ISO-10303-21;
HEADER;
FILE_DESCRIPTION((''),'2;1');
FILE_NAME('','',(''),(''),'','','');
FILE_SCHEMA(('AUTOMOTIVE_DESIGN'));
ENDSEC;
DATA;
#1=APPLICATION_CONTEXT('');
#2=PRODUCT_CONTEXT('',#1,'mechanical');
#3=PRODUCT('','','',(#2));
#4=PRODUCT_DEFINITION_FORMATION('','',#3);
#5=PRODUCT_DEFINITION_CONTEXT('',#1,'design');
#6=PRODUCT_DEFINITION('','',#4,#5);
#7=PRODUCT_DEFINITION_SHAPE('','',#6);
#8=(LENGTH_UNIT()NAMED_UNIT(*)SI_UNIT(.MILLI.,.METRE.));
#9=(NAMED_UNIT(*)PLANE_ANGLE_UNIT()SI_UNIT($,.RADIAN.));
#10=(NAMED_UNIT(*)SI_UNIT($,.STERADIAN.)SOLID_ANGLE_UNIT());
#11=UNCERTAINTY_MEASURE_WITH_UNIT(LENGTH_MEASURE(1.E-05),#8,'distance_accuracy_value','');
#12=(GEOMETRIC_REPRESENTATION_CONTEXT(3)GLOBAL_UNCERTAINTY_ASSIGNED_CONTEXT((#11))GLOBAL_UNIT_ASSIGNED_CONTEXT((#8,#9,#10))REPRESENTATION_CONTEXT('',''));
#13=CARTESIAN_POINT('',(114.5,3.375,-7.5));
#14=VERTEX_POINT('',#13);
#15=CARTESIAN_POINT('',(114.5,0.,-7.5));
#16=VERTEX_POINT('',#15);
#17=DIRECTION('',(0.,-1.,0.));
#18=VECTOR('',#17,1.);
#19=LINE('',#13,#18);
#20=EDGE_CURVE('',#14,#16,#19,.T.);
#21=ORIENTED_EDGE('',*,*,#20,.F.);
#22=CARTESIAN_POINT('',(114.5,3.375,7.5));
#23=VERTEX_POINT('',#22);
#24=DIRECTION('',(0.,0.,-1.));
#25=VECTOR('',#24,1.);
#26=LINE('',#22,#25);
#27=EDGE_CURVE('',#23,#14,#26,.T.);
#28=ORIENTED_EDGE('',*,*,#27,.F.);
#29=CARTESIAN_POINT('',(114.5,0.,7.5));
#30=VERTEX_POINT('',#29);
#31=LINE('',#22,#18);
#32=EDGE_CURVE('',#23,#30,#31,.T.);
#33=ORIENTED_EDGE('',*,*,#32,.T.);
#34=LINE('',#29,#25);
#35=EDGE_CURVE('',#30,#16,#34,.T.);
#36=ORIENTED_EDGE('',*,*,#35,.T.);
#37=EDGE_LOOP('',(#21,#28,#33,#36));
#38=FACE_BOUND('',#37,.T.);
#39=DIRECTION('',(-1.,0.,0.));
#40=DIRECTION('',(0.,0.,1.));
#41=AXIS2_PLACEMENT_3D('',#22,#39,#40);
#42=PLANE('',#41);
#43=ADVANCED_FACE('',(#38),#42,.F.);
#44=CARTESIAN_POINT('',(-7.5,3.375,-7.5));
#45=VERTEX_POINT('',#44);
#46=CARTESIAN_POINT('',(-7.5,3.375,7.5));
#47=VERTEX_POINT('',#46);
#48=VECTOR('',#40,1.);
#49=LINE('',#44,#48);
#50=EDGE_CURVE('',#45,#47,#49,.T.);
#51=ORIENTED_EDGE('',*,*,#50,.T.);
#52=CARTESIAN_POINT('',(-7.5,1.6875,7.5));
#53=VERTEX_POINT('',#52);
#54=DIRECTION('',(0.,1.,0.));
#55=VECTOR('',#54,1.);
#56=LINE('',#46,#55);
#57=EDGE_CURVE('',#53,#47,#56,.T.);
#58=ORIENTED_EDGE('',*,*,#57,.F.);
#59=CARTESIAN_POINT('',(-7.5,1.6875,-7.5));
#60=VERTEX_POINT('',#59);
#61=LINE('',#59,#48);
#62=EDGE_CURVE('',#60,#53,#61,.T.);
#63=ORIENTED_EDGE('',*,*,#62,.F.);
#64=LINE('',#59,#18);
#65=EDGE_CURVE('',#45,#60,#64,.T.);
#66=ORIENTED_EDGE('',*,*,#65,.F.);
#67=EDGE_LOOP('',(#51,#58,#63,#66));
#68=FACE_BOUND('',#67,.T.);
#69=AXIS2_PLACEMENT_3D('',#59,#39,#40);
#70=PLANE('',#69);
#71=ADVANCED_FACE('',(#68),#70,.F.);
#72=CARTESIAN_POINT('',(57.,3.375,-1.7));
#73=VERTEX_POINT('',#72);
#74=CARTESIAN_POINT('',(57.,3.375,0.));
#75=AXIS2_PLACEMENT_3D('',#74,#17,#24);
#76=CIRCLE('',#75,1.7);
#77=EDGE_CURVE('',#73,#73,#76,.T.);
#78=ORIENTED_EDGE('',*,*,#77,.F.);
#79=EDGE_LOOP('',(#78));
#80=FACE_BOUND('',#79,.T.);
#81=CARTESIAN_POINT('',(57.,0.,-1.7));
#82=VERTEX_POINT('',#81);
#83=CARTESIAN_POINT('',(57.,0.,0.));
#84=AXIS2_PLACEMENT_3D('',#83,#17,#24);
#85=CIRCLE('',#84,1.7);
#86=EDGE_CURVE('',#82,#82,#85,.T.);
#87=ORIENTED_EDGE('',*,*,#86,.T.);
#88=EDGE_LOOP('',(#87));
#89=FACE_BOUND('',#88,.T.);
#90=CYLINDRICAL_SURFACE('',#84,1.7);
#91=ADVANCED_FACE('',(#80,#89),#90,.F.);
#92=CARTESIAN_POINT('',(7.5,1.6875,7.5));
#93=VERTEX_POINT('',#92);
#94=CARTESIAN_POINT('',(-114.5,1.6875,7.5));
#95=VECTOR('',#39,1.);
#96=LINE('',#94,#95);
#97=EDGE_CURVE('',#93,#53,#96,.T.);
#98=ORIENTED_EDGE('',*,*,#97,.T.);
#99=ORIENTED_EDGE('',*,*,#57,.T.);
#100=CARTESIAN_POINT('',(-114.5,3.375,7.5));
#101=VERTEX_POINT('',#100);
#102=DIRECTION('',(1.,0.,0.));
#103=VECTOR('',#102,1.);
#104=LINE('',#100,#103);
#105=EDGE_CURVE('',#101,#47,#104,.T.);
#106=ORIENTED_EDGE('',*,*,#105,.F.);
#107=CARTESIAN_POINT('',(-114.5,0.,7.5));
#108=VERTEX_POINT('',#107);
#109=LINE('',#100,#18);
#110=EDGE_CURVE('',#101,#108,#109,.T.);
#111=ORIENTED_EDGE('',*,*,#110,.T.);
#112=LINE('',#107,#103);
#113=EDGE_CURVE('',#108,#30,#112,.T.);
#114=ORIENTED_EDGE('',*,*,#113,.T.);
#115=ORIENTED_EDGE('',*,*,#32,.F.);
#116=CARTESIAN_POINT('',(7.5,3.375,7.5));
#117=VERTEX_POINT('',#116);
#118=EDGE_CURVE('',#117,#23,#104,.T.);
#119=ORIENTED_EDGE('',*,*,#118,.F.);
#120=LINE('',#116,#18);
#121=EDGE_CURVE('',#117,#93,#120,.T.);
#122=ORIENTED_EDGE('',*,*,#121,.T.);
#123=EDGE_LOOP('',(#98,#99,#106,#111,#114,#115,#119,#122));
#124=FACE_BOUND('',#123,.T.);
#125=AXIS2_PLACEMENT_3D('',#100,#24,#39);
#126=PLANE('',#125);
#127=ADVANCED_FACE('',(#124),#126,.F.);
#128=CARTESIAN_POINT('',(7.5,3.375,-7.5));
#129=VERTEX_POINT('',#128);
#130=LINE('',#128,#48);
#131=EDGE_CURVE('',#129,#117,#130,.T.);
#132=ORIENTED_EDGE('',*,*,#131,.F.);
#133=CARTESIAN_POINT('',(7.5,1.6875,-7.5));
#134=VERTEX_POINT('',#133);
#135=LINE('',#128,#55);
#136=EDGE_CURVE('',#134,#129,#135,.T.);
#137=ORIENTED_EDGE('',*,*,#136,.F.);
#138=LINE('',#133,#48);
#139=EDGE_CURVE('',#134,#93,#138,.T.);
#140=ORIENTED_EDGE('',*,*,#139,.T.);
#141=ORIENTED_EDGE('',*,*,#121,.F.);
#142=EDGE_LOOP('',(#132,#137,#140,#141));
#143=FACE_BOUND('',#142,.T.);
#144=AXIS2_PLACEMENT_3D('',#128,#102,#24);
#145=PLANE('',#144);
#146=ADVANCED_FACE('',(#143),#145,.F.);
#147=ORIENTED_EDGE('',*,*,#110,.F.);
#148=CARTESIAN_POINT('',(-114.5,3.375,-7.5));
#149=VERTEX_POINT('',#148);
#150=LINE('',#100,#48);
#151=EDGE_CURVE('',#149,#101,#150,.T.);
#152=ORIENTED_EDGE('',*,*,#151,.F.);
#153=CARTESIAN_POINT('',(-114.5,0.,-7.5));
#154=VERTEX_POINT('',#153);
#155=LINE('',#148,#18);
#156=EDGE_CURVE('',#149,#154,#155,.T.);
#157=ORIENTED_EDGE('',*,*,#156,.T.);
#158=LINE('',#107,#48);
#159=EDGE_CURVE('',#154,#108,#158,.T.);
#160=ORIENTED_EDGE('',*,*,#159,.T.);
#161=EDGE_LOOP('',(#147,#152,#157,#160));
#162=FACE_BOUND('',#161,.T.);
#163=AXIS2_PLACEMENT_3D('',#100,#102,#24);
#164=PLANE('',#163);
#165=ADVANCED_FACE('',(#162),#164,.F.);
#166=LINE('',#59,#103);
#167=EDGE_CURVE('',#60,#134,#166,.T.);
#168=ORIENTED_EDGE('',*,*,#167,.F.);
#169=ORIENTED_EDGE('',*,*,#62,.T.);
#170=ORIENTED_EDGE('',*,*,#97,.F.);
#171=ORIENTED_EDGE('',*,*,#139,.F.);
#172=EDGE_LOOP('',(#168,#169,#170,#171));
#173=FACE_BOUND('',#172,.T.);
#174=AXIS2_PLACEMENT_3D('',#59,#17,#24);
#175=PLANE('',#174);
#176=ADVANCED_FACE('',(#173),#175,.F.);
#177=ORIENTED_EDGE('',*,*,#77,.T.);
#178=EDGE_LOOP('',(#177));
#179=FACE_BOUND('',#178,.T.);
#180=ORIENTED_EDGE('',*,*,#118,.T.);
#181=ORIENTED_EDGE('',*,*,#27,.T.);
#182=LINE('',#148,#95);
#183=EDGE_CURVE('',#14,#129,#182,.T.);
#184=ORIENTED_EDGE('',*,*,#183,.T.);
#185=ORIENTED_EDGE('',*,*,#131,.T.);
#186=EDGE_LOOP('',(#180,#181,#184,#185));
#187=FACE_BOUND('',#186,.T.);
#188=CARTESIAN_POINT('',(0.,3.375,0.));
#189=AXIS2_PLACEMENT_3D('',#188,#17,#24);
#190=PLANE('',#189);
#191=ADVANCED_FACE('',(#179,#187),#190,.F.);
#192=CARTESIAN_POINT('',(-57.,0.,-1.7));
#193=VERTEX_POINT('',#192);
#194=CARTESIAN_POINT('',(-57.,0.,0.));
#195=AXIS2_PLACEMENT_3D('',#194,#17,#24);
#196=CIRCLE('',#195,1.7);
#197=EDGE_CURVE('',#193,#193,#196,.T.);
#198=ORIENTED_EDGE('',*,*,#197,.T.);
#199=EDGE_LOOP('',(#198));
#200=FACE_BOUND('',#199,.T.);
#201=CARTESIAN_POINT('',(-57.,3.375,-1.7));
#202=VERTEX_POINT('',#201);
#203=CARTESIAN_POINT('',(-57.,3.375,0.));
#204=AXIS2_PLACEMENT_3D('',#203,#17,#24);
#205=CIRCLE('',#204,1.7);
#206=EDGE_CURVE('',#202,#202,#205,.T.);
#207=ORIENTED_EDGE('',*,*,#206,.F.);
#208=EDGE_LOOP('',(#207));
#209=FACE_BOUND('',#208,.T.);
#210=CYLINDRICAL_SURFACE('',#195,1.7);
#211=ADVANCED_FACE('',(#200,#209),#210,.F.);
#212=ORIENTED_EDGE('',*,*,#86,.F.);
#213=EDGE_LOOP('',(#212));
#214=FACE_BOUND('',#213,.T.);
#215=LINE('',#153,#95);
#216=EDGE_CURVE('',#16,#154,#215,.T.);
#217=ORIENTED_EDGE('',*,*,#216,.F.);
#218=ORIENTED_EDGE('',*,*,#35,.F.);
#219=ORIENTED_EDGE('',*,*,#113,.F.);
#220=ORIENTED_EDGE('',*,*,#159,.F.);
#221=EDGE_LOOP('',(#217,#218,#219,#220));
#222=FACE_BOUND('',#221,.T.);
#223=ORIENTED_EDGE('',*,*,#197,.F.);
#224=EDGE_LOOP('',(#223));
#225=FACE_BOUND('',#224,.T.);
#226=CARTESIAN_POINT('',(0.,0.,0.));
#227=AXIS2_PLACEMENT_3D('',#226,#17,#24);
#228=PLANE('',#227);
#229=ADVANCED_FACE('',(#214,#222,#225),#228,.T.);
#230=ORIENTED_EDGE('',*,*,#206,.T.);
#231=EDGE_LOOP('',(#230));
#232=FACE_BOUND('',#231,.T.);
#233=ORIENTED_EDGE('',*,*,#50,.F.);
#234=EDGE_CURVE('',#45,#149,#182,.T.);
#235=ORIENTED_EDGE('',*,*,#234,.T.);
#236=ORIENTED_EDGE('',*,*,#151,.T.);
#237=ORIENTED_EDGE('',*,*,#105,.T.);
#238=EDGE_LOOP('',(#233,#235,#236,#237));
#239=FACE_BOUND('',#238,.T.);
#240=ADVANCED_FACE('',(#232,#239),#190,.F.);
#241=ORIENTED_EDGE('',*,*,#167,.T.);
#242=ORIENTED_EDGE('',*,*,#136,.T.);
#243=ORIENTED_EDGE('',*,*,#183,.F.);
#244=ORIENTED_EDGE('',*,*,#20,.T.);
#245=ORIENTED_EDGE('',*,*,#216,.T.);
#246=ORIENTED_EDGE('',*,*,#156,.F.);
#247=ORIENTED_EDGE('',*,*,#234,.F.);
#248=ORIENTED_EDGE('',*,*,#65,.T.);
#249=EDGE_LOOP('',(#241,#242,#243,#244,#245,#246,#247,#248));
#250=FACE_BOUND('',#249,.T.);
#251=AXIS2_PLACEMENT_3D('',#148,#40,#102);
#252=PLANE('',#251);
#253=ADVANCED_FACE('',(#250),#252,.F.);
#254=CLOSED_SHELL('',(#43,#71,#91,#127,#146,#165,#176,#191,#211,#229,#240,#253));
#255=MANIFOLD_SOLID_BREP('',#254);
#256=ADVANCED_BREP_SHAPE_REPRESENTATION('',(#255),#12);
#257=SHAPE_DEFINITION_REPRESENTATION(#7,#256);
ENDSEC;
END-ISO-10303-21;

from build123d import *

# Parameters (mm, degrees)
SKETCH1_W               = 229
SKETCH1_H               = 15
BOSS_EXTRUDE1_DEPTH     = 3.375
M3_CLEARANCE_HOLE1_D    = 3.4
CUT_EXTRUDE1_DEPTH      = 116.527661731
CUT_EXTRUDE1_DEPTH_BACK = 116.527661731
SKETCH10_W              = 15
SKETCH10_H              = 1.6875


with BuildPart() as part:
    # Sketch1 → Boss-Extrude1 (new body)
    with BuildSketch(Plane(origin=(0, 0, 0), x_dir=(1, 0, 0), z_dir=(0, 1, 0))):
        Rectangle(SKETCH1_W, SKETCH1_H)
    extrude(amount=BOSS_EXTRUDE1_DEPTH)

    # M3 Clearance Hole1 (through all)
    with Locations(Plane(origin=(0, 0, 0), x_dir=(-1, 0, 0), z_dir=(0, -1, 0))):
        with Locations((57, 0), (-57, 0)):
            Hole(M3_CLEARANCE_HOLE1_D / 2)

    # Sketch10 → Cut-Extrude1 (cut, two sides: drawn at the far end of the back side and taken through both)
    with BuildSketch(Plane.XY.offset(7.5).offset(-CUT_EXTRUDE1_DEPTH_BACK)):
        with Locations((0, 2.53125)):
            Rectangle(SKETCH10_W, SKETCH10_H)
    extrude(amount=CUT_EXTRUDE1_DEPTH + CUT_EXTRUDE1_DEPTH_BACK, mode=Mode.SUBTRACT)


solid = part.part
